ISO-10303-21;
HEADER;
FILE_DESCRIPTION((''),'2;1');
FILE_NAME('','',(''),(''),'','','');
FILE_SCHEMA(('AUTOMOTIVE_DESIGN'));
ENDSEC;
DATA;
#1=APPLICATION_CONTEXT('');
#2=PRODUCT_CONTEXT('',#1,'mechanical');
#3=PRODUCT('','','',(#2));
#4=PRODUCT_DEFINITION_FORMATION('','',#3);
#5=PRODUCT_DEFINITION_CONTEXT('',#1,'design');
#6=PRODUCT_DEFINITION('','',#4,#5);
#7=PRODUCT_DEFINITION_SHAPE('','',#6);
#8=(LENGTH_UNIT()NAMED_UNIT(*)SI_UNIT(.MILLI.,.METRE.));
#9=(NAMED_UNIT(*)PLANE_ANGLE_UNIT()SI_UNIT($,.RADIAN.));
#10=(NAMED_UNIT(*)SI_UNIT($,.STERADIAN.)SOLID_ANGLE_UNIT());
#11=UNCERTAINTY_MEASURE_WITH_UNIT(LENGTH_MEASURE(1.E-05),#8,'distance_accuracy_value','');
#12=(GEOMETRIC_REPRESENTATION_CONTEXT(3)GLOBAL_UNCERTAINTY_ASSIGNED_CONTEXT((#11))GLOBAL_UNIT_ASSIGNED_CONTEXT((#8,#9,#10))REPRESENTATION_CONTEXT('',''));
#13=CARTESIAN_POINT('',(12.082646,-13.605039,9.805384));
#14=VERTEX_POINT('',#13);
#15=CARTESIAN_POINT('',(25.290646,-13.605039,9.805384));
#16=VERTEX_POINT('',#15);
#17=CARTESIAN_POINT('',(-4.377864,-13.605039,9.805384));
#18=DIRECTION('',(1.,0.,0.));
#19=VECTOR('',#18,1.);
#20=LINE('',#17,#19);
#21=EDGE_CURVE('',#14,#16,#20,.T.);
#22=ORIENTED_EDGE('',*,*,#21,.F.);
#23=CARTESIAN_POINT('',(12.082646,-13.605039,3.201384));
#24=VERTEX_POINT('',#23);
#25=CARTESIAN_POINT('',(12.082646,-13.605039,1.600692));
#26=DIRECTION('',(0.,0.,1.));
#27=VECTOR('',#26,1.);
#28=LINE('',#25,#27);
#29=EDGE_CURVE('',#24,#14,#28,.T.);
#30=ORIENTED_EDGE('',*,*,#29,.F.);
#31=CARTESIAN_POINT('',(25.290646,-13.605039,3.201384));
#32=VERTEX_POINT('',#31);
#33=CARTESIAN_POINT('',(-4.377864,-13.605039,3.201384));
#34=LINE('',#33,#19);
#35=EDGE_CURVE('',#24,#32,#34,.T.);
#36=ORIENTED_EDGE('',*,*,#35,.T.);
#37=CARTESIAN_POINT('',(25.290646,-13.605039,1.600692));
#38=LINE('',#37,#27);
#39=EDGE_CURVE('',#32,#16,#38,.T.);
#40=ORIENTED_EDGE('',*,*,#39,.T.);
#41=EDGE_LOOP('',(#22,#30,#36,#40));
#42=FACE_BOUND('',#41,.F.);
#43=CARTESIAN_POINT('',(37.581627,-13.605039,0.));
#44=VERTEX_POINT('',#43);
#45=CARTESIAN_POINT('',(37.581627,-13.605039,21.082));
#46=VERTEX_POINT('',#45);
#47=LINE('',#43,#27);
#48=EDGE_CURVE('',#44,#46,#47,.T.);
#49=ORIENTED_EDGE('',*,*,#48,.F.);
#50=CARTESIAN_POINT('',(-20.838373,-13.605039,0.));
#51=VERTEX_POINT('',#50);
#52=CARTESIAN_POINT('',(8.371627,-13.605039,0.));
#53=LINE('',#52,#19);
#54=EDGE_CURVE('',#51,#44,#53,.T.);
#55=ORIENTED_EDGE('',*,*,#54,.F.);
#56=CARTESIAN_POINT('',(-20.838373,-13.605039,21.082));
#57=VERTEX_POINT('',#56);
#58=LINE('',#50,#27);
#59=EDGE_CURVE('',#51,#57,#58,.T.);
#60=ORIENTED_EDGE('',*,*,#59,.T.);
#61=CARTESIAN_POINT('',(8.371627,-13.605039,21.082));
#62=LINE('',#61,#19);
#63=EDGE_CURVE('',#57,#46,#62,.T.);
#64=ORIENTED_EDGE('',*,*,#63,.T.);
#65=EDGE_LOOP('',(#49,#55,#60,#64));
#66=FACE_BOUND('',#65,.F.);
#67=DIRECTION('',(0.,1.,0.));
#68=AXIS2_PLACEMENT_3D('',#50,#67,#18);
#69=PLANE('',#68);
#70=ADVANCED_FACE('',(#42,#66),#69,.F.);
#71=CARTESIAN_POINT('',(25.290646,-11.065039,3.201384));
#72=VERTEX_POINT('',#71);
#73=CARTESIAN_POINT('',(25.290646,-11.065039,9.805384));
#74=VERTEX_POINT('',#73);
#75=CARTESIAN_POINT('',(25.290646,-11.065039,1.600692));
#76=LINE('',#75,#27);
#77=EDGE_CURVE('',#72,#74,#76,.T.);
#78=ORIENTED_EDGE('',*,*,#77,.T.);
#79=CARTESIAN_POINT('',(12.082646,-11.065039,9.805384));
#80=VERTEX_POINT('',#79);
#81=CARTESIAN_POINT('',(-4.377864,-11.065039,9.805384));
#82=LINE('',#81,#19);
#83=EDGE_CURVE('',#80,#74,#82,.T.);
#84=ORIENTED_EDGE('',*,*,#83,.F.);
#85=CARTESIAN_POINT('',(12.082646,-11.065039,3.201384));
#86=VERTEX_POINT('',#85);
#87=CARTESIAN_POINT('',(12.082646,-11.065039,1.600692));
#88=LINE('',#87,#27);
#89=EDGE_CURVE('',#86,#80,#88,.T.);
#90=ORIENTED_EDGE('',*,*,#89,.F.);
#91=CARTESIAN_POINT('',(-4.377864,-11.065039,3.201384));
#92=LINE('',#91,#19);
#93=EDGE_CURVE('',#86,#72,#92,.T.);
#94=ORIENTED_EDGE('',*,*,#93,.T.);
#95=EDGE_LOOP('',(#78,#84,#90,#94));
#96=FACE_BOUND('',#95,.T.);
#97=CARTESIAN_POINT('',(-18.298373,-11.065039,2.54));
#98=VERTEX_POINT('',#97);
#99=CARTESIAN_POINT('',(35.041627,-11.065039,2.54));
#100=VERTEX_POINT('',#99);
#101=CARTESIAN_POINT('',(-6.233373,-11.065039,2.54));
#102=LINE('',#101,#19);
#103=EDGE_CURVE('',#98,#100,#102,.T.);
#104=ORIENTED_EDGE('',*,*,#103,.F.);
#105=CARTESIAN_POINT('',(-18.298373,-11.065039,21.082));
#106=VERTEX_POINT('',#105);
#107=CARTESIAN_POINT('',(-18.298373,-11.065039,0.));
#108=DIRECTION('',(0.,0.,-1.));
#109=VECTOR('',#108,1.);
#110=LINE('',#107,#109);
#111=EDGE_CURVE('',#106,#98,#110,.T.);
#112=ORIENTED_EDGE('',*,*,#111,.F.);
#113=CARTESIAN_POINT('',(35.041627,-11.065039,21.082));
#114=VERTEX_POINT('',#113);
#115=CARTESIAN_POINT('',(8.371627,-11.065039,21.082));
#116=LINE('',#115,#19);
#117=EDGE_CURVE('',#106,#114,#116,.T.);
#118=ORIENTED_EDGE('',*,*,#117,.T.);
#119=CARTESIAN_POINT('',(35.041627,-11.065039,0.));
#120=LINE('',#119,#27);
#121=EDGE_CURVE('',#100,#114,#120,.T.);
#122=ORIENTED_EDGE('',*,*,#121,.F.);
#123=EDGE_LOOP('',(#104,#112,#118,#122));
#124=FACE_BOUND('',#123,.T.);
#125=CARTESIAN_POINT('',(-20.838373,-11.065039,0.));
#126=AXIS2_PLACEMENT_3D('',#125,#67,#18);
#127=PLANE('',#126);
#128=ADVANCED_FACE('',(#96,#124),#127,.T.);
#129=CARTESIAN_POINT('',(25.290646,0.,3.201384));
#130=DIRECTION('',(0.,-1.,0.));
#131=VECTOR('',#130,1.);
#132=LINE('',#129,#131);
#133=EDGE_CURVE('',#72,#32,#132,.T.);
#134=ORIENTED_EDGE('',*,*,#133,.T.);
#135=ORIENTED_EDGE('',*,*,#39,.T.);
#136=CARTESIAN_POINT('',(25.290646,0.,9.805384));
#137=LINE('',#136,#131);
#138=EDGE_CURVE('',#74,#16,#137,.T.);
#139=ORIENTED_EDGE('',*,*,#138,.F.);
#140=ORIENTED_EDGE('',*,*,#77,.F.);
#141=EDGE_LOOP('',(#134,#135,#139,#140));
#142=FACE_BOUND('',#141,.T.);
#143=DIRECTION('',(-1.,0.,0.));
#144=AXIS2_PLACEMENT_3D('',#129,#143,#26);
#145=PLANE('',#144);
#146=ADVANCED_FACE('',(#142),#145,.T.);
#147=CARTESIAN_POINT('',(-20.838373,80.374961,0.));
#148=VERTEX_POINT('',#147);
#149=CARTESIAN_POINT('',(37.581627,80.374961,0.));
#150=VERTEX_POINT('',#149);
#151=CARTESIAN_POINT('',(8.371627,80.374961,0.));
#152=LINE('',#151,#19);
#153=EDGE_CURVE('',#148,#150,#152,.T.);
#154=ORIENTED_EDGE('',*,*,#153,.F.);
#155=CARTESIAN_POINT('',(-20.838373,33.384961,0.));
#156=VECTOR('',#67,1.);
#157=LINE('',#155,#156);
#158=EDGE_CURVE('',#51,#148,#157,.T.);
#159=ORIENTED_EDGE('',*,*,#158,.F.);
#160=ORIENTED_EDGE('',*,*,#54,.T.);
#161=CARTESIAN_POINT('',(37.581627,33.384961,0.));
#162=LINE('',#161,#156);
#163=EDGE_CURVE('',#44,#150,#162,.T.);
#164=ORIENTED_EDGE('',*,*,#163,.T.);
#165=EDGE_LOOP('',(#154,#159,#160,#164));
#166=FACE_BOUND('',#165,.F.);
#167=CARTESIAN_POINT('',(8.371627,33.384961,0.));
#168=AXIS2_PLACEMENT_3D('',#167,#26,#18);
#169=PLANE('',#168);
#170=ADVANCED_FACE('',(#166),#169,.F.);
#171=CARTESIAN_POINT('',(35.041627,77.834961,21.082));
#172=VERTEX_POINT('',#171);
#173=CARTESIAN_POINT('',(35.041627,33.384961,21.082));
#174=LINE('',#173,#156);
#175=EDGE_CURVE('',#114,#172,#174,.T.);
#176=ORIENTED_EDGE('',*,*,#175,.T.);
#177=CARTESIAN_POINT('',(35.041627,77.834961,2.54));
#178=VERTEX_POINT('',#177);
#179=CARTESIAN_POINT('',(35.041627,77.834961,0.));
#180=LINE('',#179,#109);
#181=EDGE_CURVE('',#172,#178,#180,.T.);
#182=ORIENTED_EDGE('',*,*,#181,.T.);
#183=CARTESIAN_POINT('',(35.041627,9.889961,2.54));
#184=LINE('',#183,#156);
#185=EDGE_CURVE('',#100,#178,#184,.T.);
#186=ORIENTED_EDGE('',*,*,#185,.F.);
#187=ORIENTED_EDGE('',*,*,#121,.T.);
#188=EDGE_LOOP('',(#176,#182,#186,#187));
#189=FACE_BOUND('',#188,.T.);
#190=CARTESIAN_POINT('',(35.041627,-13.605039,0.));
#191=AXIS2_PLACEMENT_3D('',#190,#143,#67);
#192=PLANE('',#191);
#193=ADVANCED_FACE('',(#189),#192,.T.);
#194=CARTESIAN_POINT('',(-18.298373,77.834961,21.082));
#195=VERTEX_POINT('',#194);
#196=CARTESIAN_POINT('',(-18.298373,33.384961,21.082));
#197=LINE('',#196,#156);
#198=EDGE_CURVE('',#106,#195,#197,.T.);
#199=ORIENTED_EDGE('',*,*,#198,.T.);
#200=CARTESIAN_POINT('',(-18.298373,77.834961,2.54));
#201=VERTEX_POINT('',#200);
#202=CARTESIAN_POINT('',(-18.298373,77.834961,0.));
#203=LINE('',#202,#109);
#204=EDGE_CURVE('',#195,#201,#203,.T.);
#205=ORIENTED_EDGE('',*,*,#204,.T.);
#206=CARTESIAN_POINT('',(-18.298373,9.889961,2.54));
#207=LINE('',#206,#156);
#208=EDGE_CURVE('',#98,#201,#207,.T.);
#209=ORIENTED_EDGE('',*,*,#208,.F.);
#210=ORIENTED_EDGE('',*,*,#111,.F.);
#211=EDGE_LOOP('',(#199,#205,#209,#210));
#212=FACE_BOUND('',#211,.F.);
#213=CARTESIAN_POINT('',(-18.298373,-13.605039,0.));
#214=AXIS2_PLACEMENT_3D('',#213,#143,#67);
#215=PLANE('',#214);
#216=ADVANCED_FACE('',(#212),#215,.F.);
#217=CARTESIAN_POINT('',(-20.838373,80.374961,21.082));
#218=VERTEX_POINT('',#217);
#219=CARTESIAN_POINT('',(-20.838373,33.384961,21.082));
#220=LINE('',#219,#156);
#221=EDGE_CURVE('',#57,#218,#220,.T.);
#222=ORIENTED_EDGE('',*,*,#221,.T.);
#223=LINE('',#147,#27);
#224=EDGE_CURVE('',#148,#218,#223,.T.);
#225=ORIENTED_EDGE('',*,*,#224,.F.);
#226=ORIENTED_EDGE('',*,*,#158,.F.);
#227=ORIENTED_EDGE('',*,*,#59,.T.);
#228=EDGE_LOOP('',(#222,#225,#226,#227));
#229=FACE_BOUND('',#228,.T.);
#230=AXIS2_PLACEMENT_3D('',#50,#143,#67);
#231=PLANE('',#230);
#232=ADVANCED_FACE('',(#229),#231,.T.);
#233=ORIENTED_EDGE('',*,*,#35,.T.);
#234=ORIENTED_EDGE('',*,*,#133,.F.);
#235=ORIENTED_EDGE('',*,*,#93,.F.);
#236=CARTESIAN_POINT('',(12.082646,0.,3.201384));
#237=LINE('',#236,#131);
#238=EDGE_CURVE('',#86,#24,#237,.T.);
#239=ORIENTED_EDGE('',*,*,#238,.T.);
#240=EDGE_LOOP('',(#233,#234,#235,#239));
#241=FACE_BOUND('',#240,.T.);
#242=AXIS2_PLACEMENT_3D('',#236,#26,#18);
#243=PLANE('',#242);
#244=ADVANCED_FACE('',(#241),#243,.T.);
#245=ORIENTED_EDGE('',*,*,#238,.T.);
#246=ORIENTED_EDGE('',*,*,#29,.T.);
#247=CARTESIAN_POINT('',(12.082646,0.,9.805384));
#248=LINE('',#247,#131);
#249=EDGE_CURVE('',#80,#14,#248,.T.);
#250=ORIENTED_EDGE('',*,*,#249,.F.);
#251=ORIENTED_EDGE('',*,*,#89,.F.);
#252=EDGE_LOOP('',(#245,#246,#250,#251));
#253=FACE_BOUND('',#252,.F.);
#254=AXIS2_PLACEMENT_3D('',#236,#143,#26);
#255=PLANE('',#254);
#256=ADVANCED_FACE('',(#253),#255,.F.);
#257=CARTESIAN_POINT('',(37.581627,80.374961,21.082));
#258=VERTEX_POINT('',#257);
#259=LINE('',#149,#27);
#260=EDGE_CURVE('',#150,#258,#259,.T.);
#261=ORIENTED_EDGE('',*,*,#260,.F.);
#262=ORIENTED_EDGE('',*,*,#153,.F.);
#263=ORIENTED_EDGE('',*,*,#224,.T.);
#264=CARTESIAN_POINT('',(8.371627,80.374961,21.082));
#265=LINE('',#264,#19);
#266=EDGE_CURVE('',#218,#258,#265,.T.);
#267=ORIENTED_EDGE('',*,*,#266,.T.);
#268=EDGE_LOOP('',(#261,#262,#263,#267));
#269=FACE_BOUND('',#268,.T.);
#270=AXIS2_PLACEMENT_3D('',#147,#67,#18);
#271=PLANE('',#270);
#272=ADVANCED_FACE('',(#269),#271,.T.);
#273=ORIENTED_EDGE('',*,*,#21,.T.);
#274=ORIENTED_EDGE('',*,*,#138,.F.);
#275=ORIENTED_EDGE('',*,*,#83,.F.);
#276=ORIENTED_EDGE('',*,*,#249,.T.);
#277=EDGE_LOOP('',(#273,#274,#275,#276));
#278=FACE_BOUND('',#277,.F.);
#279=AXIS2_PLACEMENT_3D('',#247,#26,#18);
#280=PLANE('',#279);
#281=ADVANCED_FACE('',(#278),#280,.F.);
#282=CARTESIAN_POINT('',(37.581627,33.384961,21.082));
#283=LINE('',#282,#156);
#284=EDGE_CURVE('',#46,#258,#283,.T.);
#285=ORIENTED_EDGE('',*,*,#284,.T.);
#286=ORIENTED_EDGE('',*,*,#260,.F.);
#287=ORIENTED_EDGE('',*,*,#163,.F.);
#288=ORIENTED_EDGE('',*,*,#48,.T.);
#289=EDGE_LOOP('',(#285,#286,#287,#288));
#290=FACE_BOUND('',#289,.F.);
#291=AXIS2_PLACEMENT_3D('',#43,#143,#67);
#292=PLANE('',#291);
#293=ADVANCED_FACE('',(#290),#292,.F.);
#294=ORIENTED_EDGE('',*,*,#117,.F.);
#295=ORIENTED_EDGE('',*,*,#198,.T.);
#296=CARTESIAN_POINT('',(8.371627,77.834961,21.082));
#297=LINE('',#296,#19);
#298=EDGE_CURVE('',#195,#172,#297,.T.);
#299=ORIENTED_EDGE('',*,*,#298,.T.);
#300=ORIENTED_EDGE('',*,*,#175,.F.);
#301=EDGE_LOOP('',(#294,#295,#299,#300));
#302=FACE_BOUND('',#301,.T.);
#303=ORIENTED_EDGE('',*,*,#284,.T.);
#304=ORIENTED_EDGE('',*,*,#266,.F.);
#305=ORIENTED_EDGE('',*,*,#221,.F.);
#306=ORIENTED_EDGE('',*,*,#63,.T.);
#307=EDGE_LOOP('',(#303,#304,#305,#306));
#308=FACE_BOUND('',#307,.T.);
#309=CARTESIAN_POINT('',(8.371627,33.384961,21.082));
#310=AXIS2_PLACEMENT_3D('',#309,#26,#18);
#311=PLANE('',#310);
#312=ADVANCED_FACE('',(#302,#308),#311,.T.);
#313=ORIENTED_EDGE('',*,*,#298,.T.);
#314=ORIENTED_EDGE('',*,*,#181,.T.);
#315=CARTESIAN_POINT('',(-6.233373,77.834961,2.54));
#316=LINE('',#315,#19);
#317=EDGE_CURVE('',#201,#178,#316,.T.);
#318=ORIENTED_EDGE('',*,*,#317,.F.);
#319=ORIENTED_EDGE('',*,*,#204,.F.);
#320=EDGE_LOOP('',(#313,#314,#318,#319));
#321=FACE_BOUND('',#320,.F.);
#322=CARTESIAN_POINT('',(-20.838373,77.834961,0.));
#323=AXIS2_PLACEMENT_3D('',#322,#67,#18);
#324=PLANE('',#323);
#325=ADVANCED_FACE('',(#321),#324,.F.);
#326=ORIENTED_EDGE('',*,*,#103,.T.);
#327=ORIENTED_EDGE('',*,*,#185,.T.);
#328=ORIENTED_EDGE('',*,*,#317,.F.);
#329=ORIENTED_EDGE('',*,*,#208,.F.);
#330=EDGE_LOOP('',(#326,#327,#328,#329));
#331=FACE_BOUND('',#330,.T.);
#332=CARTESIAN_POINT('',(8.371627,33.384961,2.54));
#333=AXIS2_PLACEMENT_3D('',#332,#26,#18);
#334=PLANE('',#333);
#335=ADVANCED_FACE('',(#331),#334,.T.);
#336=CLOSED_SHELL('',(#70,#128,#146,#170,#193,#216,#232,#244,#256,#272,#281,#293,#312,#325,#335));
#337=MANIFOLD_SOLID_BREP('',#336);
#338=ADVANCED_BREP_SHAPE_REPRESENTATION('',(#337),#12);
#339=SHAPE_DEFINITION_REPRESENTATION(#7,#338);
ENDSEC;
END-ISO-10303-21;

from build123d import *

# Parameters (mm, degrees)
F0_W     = 58.42
F0_H     = 93.98
F1_DEPTH = 21.082
F2_T     = -2.54
F3_W     = 13.208
F3_H     = 6.604
F4_DEPTH = 44.37549


with BuildPart() as f1:
    # F0 (on Top) → F1 (new body)
    with BuildSketch(Plane.XY):
        with Locations((8.371627, 33.384961)):
            Rectangle(F0_W, F0_H)
    extrude(amount=F1_DEPTH)

    # F2
    f2_openings = [f1.faces().sort_by_distance(p)[0] for p in [
        (8.371627, 33.384961, 21.082),
    ]]
    offset(amount=F2_T, openings=f2_openings)

    # F3 (on Front) → F4 (cut)
    with BuildSketch(Plane.XZ):
        with Locations((18.686646, 6.503384)):
            Rectangle(F3_W, F3_H)
    extrude(amount=F4_DEPTH, mode=Mode.SUBTRACT)


solid = f1.part
